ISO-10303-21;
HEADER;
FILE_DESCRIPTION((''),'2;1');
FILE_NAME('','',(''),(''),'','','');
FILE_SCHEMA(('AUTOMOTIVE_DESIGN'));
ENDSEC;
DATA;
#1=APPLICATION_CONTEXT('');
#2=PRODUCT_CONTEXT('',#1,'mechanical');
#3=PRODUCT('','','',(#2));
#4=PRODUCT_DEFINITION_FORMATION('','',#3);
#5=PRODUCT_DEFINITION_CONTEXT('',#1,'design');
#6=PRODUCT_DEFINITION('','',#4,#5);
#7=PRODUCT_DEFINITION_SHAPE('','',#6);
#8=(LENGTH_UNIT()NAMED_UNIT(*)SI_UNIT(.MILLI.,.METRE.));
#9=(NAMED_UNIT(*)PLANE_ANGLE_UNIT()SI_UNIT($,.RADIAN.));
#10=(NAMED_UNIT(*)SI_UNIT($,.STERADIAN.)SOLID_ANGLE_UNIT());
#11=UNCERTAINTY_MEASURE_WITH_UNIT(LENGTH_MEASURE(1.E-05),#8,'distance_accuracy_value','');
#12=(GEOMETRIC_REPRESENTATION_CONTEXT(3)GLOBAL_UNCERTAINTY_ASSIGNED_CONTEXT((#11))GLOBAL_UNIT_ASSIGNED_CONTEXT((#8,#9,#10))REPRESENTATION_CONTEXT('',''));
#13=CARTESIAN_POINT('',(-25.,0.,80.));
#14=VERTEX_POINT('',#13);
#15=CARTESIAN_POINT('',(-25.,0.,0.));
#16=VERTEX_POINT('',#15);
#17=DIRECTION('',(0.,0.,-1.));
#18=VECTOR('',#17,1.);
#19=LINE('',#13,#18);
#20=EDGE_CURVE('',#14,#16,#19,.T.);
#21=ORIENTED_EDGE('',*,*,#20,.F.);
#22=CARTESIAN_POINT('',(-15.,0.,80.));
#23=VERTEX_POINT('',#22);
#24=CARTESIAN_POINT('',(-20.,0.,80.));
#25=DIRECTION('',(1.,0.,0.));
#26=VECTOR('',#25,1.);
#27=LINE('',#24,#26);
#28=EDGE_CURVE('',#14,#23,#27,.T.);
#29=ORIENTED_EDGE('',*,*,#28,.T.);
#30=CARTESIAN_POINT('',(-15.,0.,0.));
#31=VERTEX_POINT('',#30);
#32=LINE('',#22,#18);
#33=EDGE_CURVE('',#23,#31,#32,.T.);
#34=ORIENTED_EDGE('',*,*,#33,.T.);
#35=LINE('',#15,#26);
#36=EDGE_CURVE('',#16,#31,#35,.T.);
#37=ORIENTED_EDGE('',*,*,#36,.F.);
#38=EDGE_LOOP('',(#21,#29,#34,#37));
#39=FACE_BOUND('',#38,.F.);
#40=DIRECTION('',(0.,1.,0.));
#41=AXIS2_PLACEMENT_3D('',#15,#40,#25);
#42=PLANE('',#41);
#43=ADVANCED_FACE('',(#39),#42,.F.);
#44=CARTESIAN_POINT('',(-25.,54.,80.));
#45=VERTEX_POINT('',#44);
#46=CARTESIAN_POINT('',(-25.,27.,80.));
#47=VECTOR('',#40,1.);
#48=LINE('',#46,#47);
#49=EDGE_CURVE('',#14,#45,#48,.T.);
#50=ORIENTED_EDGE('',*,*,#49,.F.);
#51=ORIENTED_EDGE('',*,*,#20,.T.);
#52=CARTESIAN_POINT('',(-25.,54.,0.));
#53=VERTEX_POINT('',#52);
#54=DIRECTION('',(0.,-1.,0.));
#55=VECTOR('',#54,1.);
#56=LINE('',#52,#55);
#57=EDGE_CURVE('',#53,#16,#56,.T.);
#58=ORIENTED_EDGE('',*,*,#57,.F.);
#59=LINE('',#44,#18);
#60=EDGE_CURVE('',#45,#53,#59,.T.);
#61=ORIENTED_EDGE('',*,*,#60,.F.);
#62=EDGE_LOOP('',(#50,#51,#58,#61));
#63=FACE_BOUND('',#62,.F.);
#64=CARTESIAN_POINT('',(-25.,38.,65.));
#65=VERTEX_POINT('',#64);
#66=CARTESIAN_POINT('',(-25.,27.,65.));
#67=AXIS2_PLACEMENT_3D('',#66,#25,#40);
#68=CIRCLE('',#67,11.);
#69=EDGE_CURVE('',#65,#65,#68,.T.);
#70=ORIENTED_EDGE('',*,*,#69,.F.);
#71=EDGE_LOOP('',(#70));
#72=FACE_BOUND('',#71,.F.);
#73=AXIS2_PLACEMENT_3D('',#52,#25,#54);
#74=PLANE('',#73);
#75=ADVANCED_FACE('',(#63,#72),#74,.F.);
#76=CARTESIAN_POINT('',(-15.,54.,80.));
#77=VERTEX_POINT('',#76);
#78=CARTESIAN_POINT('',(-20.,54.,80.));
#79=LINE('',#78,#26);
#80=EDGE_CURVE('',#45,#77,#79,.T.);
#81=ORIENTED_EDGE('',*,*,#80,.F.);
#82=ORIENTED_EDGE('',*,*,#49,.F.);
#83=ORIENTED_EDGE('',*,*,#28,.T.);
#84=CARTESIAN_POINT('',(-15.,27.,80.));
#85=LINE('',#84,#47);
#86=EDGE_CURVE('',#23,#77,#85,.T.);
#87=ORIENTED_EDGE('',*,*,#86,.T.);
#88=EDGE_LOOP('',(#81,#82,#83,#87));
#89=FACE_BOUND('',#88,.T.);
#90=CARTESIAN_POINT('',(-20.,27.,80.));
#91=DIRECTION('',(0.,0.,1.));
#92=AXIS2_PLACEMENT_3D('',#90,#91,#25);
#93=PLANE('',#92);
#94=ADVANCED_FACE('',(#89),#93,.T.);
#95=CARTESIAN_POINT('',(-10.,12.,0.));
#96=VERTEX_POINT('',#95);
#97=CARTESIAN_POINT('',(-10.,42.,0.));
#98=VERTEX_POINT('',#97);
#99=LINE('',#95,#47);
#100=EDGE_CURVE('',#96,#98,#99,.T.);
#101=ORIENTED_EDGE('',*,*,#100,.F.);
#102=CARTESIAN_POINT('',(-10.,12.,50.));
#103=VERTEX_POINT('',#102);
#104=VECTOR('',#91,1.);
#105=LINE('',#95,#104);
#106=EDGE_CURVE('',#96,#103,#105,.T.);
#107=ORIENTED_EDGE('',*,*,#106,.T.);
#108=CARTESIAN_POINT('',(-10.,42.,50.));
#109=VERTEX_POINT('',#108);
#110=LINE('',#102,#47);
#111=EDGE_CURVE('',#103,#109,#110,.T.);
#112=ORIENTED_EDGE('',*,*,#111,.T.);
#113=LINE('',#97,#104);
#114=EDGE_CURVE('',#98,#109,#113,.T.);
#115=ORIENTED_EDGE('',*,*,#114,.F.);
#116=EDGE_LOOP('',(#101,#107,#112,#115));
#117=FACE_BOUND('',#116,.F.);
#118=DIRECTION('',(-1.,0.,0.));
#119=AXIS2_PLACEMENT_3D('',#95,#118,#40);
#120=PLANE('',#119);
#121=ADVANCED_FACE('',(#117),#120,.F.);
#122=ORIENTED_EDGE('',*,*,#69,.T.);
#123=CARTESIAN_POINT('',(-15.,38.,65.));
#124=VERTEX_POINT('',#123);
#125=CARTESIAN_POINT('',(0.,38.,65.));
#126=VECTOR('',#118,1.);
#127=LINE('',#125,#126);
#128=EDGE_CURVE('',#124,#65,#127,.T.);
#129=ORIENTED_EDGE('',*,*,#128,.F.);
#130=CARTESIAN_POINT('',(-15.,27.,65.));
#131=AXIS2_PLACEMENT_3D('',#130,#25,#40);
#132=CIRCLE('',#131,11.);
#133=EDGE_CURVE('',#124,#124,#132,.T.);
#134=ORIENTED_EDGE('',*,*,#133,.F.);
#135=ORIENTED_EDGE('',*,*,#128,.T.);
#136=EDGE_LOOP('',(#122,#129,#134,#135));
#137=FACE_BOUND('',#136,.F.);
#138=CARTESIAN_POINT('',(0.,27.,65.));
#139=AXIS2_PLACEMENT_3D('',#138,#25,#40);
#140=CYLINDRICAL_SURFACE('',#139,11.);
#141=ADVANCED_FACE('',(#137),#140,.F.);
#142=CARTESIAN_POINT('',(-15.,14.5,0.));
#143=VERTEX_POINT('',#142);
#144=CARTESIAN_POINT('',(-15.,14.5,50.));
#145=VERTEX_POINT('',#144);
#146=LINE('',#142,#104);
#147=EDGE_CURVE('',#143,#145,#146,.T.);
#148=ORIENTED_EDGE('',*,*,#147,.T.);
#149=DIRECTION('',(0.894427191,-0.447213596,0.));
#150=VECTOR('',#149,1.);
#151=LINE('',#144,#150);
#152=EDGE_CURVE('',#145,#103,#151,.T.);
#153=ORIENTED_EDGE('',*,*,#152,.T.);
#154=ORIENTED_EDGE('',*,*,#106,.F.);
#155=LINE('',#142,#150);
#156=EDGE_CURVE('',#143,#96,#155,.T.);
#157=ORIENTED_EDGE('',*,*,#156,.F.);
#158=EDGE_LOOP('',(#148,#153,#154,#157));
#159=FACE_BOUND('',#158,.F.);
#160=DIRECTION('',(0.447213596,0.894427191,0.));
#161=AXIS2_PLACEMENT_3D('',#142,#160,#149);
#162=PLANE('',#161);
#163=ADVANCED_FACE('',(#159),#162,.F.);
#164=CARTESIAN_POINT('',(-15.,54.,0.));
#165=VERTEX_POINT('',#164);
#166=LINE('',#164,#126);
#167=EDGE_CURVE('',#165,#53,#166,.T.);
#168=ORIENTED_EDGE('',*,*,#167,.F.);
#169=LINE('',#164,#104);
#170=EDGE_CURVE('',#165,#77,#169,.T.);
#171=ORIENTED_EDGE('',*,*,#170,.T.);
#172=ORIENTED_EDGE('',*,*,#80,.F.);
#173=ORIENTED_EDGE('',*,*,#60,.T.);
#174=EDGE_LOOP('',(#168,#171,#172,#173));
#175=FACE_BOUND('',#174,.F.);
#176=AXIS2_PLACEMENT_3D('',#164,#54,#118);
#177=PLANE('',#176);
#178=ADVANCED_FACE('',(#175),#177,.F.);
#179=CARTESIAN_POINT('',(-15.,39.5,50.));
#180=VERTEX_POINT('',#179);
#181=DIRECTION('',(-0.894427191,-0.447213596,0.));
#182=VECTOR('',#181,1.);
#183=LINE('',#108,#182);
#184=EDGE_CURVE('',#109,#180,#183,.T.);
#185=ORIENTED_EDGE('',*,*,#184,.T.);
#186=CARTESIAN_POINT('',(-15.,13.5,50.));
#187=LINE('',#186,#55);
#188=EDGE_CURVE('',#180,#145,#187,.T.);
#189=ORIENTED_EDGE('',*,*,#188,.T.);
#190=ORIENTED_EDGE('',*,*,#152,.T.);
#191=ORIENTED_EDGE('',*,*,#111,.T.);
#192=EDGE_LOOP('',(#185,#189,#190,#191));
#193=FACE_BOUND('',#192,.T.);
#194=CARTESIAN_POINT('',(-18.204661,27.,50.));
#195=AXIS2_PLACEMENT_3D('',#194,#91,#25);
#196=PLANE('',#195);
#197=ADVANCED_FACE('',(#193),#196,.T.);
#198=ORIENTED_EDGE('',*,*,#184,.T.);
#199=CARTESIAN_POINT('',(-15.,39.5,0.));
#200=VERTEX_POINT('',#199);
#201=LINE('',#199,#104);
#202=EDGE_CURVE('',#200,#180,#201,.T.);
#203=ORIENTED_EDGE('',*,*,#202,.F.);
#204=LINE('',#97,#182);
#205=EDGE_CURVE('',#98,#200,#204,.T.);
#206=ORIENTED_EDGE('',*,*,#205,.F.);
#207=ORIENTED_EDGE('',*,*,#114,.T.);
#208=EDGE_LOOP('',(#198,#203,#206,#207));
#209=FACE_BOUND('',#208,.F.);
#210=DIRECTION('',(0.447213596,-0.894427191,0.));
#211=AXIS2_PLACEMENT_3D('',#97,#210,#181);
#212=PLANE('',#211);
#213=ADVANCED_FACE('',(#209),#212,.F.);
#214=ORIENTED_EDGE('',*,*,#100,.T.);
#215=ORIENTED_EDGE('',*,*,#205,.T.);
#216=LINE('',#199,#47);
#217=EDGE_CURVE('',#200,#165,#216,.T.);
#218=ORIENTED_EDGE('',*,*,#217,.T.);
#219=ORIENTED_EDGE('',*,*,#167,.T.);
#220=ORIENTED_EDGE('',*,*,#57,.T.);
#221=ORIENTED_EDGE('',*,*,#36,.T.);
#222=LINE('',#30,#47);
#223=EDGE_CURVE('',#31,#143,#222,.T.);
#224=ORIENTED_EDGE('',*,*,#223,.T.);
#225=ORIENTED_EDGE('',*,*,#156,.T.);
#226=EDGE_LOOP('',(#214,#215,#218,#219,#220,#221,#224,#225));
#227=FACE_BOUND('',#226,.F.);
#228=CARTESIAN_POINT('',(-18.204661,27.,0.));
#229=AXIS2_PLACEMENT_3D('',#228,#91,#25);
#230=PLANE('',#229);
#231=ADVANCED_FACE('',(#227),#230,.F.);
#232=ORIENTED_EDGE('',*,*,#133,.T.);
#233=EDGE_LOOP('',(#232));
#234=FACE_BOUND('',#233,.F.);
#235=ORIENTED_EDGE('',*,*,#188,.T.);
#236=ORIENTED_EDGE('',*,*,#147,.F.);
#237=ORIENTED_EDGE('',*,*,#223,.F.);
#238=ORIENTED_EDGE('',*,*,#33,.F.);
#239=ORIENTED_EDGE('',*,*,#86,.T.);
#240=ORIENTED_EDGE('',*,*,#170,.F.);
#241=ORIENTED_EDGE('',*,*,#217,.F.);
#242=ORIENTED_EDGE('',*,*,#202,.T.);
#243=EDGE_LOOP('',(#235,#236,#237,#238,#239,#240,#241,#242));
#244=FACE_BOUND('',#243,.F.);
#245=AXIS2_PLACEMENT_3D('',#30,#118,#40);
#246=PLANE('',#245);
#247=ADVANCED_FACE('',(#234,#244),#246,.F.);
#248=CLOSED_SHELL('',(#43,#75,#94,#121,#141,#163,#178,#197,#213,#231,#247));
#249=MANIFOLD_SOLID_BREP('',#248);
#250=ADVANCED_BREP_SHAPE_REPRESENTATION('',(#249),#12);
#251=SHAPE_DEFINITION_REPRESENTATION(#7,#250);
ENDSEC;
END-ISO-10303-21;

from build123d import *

# Parameters (mm, degrees)
PAD_DEPTH    = 50
SKETCH_W     = 10
SKETCH_H     = 54
PAD001_DEPTH = 80
SKETCH002_R  = 11
POCKET_DEPTH = 25.001


with BuildPart() as part:
    # Sketch001 → Pad (new body)
    with BuildSketch(Plane.XY):
        Polygon((-15, 0), (-15, 14.5), (-10, 12), (-10, 42), (-15, 39.5), (-15, 54), (-25, 54), (-25, 0), align=None)
    extrude(amount=PAD_DEPTH)

    # Sketch → Pad001 (join)
    with BuildSketch(Plane.XY):
        with Locations((-20, 27)):
            Rectangle(SKETCH_W, SKETCH_H)
    extrude(amount=PAD001_DEPTH)

    # Sketch002 → Pocket (cut, through all)
    with BuildSketch(Plane.YZ):
        with Locations((27, 65)):
            Circle(SKETCH002_R)
    extrude(amount=-POCKET_DEPTH, mode=Mode.SUBTRACT)


solid = part.part
